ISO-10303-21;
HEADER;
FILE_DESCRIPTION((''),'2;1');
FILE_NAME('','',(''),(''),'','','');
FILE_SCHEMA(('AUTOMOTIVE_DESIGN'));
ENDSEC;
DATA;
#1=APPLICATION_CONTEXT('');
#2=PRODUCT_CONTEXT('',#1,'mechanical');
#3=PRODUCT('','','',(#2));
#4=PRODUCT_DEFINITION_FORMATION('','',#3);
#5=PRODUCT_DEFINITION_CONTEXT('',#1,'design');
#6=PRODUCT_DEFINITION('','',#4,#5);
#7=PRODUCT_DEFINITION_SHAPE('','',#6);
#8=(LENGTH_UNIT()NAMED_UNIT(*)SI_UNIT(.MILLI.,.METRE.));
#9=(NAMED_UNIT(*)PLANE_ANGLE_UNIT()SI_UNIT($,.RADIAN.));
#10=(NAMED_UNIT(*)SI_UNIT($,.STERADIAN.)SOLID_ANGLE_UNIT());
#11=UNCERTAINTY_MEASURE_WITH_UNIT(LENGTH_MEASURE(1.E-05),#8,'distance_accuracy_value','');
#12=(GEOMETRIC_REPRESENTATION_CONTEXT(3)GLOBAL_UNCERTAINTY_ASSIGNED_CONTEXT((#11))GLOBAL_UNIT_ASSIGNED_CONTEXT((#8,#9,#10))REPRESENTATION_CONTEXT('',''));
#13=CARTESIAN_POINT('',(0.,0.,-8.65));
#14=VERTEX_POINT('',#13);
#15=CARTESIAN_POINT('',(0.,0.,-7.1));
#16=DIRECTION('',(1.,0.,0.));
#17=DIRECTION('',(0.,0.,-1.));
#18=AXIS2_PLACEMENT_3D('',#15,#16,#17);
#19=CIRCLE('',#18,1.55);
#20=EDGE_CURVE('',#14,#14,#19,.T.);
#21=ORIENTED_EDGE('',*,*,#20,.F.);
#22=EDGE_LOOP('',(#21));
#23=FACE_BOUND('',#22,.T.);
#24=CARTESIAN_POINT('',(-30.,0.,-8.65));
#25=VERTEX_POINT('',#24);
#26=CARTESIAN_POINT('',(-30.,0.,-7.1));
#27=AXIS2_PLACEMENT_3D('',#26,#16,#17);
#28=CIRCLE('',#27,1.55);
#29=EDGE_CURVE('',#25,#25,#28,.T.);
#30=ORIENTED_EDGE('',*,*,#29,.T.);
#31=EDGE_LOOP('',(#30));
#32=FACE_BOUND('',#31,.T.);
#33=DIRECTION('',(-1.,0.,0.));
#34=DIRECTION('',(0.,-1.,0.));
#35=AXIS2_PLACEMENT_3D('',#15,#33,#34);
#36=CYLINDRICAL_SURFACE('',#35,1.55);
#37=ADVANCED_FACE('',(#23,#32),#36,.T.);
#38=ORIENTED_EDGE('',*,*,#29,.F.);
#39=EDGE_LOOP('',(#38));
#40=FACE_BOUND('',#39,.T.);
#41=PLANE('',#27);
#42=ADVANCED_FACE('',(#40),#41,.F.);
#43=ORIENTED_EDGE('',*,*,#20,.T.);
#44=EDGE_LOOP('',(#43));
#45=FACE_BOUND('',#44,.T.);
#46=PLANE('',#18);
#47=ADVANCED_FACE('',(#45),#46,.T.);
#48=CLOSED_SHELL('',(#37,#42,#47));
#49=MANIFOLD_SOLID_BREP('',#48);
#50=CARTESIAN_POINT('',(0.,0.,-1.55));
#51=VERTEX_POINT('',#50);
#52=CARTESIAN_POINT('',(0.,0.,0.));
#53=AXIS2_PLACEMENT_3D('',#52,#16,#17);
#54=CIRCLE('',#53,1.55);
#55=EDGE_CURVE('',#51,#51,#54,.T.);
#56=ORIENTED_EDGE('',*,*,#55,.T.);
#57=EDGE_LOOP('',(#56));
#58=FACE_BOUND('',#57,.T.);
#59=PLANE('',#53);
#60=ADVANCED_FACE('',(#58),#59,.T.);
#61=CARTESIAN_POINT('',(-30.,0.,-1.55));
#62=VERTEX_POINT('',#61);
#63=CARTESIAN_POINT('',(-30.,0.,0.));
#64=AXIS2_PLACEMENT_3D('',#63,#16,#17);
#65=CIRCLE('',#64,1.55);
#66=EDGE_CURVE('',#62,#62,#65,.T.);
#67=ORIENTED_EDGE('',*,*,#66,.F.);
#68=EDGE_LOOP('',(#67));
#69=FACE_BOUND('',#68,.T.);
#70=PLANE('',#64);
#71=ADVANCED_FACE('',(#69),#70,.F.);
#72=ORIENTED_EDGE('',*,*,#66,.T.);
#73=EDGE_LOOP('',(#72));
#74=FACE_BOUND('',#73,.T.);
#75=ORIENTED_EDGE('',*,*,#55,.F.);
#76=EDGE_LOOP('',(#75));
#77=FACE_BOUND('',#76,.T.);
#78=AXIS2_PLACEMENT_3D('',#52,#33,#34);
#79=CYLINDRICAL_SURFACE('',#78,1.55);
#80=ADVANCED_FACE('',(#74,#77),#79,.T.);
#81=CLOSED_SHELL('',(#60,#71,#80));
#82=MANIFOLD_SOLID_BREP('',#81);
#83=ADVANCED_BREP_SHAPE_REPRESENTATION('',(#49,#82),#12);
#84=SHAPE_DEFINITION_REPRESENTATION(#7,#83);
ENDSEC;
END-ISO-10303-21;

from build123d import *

# Parameters (mm, degrees)
SKETCH_2_R = 1.55


with BuildPart() as part:
    # По траектории1: sweep along a path in Эскиз1
    with BuildLine(Plane.XY) as sweep_1_path:
        Line((0, 0), (-30, 0))
    # Эскиз2 → По траектории1 (sweep)
    with BuildSketch(Plane(origin=(0, 0, 0), x_dir=(0, 0, -1), z_dir=(1, 0, 0))):
        Circle(SKETCH_2_R)
        with Locations((7.1, 0)):
            Circle(SKETCH_2_R)
    sweep(path=sweep_1_path.line)


solid = part.part
